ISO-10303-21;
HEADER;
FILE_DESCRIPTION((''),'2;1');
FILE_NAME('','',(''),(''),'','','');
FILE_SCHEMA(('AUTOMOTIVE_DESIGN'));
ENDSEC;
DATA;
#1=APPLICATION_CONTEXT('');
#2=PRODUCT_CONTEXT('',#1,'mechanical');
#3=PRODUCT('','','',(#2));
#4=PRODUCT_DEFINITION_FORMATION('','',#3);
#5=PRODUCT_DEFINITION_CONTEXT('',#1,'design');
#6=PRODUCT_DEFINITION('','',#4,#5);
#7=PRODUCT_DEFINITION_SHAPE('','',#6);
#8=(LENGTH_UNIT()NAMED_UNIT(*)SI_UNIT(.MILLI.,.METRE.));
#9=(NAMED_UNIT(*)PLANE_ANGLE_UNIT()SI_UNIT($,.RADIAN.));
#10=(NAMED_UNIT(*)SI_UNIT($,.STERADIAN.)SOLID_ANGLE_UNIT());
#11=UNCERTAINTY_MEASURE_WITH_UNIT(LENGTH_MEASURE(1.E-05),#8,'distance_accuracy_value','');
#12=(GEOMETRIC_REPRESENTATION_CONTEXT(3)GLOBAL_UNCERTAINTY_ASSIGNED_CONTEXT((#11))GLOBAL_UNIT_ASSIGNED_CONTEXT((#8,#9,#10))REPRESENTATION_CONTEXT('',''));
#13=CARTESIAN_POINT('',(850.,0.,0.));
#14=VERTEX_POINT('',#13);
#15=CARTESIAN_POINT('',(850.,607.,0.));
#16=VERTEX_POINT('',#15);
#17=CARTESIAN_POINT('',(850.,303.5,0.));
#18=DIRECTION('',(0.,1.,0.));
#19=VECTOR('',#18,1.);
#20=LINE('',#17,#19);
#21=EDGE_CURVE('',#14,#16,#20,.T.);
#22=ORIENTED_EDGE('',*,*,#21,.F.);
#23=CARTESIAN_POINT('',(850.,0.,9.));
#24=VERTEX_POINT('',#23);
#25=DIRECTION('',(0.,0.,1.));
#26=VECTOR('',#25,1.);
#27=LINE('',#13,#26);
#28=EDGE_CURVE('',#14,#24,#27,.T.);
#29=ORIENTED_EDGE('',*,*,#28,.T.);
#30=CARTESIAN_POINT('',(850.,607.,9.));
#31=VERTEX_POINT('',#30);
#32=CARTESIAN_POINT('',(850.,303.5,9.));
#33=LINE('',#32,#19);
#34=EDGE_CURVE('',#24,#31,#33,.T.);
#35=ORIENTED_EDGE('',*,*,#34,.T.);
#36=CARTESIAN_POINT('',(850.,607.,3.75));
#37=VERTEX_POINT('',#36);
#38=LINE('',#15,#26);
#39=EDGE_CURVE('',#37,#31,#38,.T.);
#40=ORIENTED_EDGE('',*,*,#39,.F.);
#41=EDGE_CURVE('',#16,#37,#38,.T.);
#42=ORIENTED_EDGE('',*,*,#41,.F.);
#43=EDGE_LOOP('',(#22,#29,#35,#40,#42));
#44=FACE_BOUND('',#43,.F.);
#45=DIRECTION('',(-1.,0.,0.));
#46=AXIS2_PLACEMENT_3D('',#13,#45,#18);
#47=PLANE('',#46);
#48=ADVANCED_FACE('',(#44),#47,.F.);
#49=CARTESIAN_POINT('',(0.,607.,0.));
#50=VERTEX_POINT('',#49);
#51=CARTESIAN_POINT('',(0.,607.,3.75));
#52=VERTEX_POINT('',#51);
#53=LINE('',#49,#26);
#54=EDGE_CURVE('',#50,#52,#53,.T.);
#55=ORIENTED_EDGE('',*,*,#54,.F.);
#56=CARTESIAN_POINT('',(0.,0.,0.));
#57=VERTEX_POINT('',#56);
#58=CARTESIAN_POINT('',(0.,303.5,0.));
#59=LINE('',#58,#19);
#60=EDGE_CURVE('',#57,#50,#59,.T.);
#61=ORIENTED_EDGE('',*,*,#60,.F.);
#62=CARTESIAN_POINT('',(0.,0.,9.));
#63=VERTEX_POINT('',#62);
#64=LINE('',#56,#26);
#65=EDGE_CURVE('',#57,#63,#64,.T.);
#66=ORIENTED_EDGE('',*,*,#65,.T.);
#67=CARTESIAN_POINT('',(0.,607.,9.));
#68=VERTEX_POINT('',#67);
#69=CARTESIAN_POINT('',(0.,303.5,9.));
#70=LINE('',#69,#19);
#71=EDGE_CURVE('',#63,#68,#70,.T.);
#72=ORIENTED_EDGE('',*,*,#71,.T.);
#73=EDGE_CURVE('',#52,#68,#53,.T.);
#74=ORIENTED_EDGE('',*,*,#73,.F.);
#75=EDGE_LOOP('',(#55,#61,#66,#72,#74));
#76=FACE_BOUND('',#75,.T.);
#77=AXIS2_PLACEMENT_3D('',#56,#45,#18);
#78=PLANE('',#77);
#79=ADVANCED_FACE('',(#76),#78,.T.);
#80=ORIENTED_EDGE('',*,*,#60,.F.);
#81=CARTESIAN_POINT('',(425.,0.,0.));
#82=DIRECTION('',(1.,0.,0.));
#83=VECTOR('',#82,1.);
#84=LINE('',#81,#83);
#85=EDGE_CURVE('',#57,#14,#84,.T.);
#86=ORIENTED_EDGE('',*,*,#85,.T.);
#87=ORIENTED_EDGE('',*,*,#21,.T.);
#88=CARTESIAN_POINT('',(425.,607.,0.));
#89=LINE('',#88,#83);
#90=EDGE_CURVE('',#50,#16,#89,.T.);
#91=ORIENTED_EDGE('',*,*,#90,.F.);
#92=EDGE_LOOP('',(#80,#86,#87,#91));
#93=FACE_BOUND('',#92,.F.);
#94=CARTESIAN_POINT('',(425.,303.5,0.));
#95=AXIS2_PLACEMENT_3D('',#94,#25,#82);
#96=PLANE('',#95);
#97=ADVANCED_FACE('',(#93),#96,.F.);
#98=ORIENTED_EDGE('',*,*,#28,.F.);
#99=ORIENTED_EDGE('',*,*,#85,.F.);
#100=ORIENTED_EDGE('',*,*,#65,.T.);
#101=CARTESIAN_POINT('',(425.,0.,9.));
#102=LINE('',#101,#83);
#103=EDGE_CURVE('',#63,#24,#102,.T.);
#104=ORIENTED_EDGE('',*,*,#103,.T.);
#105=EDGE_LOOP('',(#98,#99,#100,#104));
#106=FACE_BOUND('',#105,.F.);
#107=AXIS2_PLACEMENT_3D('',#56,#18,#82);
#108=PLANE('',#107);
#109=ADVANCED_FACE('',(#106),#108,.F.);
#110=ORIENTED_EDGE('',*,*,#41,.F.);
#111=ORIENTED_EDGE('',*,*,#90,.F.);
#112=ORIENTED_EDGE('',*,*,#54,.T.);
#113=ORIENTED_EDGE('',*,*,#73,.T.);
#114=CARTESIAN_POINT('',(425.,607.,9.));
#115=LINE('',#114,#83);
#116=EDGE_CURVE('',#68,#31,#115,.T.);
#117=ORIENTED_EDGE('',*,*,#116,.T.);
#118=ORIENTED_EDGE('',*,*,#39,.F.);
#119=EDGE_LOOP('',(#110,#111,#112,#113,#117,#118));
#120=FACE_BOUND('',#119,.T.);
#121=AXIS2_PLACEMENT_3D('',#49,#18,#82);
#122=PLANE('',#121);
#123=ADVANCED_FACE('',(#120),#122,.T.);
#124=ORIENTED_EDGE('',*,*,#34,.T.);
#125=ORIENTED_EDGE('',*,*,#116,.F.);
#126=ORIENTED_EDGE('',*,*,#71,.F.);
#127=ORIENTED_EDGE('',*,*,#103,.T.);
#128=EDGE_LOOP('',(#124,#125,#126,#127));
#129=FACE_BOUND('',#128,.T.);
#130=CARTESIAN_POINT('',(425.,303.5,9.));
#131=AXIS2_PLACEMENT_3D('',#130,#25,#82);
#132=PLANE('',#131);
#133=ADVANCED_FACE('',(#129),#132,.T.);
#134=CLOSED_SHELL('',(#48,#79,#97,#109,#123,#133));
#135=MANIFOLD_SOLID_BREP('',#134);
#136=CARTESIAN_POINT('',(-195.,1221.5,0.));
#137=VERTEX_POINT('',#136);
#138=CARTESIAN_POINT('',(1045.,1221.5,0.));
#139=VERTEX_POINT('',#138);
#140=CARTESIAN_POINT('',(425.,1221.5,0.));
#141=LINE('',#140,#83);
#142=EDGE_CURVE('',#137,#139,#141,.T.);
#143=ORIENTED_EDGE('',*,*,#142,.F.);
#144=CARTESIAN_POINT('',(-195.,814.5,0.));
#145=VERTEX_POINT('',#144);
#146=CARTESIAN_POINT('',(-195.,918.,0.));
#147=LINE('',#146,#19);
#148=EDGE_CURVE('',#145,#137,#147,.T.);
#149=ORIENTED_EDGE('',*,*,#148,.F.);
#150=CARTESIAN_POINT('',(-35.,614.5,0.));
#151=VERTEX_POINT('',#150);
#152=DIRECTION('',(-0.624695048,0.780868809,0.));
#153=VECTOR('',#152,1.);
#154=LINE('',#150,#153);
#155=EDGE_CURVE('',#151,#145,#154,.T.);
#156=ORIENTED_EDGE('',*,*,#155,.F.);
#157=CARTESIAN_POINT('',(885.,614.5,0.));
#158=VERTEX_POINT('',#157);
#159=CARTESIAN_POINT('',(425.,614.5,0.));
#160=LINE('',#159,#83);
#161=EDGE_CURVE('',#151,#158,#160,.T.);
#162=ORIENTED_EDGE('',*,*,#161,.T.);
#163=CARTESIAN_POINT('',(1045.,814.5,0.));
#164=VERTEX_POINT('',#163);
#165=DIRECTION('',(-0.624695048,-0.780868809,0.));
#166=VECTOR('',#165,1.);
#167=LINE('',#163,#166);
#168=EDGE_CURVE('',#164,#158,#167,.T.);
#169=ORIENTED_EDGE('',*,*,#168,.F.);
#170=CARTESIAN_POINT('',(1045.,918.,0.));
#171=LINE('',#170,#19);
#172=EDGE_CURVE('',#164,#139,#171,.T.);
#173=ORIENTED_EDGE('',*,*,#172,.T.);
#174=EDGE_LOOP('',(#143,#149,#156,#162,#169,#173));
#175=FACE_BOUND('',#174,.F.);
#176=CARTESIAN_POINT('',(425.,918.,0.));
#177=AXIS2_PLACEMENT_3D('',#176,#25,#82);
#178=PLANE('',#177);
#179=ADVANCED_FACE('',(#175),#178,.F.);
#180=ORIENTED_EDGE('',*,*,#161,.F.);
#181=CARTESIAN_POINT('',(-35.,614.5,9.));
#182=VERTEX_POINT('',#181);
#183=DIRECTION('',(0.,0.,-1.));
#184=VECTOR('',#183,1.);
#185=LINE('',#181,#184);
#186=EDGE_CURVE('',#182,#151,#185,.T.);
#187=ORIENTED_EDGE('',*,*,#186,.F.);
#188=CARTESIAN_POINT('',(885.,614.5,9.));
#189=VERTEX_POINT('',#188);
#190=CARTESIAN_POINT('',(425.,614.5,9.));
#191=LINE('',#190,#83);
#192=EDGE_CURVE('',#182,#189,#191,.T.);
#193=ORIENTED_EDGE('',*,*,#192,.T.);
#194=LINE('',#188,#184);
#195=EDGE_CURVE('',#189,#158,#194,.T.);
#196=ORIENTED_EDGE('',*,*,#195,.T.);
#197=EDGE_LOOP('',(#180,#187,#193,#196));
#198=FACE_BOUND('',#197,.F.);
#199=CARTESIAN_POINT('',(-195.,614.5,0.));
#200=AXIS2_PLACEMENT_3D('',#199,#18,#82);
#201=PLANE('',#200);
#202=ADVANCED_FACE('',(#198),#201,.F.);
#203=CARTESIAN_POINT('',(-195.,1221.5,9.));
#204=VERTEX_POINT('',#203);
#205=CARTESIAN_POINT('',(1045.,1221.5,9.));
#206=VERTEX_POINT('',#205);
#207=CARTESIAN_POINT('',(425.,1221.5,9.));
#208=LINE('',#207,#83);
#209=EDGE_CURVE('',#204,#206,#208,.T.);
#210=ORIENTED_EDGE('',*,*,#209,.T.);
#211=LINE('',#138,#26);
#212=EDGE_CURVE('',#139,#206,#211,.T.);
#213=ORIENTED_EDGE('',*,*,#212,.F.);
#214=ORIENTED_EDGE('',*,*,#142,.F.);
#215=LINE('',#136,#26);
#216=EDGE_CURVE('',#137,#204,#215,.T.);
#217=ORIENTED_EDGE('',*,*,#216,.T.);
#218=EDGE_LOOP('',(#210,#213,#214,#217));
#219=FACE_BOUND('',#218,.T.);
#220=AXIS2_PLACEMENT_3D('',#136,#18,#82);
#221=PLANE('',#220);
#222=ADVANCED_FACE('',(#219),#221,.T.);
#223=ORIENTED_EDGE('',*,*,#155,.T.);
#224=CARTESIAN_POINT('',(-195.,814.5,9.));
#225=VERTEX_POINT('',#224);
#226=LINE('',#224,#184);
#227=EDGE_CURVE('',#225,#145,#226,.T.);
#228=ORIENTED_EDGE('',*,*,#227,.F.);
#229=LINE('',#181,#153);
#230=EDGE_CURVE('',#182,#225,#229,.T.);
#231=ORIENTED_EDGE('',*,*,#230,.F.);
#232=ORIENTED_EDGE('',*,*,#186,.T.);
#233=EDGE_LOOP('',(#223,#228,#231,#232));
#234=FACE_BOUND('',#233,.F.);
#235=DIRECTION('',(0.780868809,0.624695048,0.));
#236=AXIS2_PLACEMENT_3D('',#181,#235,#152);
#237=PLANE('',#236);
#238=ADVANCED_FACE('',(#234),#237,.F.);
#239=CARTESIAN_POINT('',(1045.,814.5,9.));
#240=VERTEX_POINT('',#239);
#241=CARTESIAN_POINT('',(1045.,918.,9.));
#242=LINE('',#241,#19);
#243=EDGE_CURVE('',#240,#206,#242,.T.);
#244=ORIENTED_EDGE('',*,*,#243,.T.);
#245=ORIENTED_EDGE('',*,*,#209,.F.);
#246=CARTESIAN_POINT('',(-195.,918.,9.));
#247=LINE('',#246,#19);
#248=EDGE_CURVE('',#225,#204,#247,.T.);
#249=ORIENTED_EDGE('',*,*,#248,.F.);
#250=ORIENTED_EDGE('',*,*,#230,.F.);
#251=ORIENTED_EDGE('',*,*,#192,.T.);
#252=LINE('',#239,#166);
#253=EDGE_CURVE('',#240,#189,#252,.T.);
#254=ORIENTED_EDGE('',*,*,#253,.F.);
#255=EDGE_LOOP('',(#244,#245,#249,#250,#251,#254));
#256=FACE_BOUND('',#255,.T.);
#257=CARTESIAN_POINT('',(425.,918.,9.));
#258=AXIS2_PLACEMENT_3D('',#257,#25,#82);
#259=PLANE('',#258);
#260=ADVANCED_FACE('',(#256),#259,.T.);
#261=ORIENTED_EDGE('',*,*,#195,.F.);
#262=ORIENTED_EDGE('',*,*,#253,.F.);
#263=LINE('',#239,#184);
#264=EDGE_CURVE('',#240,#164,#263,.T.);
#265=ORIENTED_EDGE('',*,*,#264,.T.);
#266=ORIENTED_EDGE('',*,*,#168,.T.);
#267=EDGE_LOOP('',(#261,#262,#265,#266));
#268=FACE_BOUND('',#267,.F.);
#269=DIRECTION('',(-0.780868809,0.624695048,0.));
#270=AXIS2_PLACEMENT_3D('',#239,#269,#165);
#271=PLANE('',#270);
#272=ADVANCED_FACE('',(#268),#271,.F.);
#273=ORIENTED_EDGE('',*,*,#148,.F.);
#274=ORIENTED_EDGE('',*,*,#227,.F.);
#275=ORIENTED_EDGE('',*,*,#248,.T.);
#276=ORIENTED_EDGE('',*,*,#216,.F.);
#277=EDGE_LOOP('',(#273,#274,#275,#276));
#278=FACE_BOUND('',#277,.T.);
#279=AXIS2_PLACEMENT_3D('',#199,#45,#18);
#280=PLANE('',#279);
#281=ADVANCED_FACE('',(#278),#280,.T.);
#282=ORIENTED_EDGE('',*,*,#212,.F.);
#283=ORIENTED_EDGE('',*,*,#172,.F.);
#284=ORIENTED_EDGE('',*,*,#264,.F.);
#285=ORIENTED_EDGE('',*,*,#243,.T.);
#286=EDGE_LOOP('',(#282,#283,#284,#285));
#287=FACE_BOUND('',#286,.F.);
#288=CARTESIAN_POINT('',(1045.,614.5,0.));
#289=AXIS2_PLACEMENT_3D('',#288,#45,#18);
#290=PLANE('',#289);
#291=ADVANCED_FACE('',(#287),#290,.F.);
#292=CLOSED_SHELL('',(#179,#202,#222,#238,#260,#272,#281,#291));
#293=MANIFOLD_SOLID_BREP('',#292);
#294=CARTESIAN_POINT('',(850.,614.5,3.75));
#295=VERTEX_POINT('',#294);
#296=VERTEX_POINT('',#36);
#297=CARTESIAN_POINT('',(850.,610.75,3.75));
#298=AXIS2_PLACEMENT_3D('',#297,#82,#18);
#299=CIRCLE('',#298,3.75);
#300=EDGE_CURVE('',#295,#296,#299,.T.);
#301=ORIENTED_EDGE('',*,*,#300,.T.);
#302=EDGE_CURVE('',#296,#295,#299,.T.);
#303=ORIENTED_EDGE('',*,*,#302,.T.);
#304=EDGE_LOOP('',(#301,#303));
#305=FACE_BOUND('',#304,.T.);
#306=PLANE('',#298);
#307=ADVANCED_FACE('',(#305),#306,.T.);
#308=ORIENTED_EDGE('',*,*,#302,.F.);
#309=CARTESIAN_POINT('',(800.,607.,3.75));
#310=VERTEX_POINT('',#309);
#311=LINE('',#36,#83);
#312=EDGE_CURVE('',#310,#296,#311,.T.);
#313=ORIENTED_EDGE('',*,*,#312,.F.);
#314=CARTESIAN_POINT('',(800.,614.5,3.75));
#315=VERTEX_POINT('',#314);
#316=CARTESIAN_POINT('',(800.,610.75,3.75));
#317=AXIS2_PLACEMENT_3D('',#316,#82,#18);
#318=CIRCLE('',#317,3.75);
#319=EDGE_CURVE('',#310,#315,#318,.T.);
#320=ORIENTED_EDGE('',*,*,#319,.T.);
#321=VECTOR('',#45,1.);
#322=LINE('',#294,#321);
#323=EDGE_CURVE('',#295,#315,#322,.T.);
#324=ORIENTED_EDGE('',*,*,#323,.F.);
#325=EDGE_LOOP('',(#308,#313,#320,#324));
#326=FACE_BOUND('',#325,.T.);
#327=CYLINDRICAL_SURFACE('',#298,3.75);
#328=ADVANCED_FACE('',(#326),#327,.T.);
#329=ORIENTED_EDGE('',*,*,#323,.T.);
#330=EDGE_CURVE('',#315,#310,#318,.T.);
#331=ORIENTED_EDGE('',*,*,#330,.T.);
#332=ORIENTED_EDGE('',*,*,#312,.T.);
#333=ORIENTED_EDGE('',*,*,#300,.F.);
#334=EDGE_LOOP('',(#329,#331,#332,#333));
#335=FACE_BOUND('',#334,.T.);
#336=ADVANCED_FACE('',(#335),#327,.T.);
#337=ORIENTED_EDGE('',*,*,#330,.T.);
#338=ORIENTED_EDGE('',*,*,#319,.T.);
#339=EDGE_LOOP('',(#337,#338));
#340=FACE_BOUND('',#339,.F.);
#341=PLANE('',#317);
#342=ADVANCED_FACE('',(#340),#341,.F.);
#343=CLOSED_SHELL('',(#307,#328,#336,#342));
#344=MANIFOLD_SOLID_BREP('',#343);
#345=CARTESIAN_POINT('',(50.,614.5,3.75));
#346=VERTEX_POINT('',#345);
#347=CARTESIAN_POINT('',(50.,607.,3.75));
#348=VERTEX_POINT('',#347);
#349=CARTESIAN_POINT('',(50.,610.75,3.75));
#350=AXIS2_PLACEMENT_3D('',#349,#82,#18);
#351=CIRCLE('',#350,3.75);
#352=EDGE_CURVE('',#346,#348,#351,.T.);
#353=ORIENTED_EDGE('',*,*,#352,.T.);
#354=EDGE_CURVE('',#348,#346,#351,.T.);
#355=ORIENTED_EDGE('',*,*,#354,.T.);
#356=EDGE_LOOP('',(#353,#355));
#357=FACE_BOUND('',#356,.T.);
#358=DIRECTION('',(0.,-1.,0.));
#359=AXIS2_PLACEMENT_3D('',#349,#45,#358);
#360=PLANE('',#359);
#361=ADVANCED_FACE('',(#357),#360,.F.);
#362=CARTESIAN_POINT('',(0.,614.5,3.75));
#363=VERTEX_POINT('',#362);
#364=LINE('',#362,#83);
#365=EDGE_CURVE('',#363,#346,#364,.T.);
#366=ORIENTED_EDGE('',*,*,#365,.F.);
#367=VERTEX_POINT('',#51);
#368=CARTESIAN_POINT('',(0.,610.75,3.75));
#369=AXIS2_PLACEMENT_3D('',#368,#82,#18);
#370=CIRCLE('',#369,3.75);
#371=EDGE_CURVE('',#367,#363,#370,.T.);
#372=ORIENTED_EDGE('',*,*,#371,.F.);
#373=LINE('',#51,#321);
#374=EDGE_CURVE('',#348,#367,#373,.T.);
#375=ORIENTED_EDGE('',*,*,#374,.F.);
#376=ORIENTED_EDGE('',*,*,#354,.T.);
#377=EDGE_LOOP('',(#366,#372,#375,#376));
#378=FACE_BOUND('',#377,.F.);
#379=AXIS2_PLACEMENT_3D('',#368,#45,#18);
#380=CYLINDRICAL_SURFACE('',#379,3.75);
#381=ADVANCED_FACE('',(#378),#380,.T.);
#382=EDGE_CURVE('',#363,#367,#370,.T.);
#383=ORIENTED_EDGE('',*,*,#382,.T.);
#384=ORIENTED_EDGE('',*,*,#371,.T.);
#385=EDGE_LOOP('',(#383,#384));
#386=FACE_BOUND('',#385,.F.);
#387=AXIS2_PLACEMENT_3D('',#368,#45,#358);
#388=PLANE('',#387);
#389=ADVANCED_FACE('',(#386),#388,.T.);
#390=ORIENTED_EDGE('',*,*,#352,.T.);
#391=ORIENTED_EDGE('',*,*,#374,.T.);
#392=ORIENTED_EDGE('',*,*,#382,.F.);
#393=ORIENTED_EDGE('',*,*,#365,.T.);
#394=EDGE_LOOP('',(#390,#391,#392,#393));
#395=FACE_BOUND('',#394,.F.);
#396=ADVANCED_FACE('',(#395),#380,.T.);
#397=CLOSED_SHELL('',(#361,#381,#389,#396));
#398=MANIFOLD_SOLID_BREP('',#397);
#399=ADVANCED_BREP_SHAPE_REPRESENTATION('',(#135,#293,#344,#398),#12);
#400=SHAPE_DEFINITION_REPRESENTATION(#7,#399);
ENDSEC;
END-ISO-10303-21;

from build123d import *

# Parameters (mm, degrees)
F0_W     = 850
F0_H     = 607
F1_DEPTH = 9
F2_W     = 1240
F2_H     = 607
F3_DEPTH = 9
F5_DEPTH = 9
F6_R     = 3.75
F7_DEPTH = 50


with BuildPart() as f1:
    # F0 (on Top) → F1 (new body)
    with BuildSketch(Plane.XY):
        with Locations((425, 303.5)):
            Rectangle(F0_W, F0_H)
    extrude(amount=F1_DEPTH)



with BuildPart() as f3:
    # F2 (on Top) → F3 (new body)
    with BuildSketch(Plane.XY):
        with Locations((425, 918)):
            Rectangle(F2_W, F2_H)
    extrude(amount=F3_DEPTH)

    # F4 (on face) → F5 (cut)
    with BuildSketch(Plane.XY.offset(9)):
        Polygon((-195, 814.5), (-195, 614.5), (-35, 614.5), align=None)
        Polygon((885, 614.5), (1045, 614.5), (1045, 814.5), align=None)
    extrude(amount=-F5_DEPTH, mode=Mode.SUBTRACT)


with BuildPart() as f1_1:
    add(f1.part)

    add(f3.part)  # F7 merges F3
    # F6 (on face) → F7 (join)
    with BuildSketch(Plane.YZ.offset(850)):
        with Locations((610.75, 3.75)):
            Circle(F6_R)
    extrude(amount=-F7_DEPTH)

    # F9: F1 across plane


with BuildPart() as f1_2:
    add(f1_1.part)
    add(f1_1.part.mirror(Plane(origin=(425, 303.5, 4.5), x_dir=(0, 1, 0), z_dir=(1, 0, 0))))


solid = f1_2.part
